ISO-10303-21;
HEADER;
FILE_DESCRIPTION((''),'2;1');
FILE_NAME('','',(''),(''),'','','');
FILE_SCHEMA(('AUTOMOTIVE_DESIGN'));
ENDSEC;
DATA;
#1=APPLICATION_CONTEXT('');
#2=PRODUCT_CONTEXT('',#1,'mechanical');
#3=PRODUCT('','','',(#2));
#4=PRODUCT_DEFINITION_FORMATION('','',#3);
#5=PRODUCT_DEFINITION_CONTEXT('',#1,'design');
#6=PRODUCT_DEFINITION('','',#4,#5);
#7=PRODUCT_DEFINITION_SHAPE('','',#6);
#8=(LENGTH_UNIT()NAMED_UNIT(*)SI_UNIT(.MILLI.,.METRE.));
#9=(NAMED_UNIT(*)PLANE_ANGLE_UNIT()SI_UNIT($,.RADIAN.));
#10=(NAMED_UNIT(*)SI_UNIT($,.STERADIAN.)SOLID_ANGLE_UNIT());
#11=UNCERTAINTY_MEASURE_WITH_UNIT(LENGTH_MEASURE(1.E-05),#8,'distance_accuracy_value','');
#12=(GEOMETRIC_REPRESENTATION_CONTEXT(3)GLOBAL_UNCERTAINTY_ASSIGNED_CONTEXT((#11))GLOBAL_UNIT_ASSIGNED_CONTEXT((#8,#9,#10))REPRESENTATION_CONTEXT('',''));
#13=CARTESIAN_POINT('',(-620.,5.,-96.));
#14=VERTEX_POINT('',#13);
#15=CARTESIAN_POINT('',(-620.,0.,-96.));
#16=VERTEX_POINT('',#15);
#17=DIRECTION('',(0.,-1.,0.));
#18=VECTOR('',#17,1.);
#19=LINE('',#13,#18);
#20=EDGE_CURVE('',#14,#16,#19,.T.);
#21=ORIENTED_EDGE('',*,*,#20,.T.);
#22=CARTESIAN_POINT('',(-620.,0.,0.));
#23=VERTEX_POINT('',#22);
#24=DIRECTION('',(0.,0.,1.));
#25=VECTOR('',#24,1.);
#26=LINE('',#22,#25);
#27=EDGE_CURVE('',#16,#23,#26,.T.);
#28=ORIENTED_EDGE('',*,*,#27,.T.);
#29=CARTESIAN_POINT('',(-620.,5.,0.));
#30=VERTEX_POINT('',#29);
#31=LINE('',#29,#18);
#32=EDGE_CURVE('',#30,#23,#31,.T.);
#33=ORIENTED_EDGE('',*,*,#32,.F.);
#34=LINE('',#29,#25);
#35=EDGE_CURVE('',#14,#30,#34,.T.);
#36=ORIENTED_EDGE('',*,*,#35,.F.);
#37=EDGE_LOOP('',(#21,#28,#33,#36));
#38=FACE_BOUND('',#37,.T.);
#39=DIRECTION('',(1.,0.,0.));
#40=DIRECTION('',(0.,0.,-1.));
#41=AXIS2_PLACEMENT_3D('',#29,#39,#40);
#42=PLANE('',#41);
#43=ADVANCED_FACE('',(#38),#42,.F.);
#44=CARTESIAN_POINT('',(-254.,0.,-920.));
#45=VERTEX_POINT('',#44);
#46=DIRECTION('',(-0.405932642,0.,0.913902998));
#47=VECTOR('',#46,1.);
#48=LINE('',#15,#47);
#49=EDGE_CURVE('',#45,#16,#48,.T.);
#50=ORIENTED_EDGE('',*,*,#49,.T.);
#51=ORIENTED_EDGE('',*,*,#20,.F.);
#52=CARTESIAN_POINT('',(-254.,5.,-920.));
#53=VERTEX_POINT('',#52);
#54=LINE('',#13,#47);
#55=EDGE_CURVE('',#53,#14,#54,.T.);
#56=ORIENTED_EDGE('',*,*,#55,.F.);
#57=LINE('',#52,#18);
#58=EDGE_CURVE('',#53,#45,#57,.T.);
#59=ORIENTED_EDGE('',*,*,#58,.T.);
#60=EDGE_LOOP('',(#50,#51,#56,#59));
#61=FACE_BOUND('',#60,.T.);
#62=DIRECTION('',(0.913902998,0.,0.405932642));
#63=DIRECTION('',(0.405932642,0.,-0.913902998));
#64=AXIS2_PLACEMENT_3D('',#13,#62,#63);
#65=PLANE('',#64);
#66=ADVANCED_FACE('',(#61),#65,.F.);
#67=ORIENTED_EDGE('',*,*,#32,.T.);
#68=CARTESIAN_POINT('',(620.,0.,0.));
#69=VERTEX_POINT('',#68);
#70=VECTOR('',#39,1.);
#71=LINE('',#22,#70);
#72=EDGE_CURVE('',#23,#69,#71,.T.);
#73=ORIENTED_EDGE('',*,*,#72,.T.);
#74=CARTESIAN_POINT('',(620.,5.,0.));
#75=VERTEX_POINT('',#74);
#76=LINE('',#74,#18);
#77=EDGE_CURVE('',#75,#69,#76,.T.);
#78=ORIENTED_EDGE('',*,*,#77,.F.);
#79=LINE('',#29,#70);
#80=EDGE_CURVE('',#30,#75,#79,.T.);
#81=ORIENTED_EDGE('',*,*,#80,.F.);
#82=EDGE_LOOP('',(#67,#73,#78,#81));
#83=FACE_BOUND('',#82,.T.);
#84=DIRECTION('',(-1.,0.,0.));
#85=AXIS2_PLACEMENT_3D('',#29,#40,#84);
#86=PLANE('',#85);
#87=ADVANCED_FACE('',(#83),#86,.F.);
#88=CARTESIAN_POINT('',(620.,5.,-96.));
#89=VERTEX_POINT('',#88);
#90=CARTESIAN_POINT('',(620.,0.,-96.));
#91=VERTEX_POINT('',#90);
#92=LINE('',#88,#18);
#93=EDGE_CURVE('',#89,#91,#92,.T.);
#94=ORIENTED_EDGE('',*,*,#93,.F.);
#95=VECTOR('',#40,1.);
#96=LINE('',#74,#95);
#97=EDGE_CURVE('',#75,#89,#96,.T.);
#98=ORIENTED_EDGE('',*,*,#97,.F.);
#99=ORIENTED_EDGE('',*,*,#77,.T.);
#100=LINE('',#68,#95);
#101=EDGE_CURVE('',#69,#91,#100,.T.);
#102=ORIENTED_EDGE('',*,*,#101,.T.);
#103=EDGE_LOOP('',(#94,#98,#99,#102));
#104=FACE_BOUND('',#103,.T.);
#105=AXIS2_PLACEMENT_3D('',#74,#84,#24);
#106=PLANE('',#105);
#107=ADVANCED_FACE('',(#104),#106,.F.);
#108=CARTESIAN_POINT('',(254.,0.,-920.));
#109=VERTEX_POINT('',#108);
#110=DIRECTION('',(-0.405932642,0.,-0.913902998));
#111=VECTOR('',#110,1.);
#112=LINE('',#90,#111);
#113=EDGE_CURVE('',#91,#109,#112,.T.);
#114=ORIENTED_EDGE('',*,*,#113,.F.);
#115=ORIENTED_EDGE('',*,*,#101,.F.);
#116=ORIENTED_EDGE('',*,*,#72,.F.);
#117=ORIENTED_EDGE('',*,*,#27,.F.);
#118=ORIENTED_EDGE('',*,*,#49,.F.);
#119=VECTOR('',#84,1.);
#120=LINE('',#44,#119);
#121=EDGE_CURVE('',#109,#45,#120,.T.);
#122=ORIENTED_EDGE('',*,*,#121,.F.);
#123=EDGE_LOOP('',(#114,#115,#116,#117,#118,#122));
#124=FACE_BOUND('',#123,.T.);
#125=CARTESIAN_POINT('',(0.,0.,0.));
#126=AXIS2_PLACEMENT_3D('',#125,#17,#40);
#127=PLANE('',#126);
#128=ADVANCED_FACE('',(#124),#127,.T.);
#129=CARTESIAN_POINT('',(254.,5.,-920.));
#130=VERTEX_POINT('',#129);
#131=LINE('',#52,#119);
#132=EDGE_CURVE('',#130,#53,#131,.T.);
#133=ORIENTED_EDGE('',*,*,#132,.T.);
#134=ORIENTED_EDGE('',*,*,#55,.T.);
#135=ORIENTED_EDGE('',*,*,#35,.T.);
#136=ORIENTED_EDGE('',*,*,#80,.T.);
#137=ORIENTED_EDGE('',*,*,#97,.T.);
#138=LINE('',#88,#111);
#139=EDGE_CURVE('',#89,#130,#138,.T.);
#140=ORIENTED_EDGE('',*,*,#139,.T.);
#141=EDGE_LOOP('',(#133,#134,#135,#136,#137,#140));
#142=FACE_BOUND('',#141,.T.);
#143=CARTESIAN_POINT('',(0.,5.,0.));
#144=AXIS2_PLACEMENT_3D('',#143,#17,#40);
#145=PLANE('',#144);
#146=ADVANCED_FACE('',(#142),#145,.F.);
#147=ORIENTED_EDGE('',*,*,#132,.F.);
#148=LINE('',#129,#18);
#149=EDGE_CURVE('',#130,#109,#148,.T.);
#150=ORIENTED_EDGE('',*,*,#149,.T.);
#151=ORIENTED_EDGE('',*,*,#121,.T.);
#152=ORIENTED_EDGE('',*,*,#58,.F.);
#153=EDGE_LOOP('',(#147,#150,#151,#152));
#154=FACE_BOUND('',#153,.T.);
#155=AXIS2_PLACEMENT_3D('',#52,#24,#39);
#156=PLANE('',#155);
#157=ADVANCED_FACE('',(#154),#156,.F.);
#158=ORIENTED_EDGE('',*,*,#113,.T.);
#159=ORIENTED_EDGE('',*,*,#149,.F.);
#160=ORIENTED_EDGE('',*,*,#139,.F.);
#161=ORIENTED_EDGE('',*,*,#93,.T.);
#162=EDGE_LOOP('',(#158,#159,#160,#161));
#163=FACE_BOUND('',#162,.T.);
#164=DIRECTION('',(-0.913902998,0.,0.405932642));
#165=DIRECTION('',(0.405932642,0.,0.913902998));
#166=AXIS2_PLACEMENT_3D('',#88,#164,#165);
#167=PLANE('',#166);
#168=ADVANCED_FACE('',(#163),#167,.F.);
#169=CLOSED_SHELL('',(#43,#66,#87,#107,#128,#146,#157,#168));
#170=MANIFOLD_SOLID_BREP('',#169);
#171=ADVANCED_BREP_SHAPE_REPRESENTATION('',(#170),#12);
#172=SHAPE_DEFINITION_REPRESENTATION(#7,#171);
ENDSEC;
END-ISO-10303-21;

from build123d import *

# Parameters (mm, degrees)
EXTRUDE_1_DEPTH = 5


with BuildPart() as part:
    # 草图1 → 凸台-拉伸1 (new body)
    with BuildSketch(Plane(origin=(0, 0, 0), x_dir=(1, 0, 0), z_dir=(0, 1, 0))):
        Polygon((-620, 0), (620, 0), (620, 96), (254, 920), (-254, 920), (-620, 96), align=None)
    extrude(amount=EXTRUDE_1_DEPTH)


solid = part.part
